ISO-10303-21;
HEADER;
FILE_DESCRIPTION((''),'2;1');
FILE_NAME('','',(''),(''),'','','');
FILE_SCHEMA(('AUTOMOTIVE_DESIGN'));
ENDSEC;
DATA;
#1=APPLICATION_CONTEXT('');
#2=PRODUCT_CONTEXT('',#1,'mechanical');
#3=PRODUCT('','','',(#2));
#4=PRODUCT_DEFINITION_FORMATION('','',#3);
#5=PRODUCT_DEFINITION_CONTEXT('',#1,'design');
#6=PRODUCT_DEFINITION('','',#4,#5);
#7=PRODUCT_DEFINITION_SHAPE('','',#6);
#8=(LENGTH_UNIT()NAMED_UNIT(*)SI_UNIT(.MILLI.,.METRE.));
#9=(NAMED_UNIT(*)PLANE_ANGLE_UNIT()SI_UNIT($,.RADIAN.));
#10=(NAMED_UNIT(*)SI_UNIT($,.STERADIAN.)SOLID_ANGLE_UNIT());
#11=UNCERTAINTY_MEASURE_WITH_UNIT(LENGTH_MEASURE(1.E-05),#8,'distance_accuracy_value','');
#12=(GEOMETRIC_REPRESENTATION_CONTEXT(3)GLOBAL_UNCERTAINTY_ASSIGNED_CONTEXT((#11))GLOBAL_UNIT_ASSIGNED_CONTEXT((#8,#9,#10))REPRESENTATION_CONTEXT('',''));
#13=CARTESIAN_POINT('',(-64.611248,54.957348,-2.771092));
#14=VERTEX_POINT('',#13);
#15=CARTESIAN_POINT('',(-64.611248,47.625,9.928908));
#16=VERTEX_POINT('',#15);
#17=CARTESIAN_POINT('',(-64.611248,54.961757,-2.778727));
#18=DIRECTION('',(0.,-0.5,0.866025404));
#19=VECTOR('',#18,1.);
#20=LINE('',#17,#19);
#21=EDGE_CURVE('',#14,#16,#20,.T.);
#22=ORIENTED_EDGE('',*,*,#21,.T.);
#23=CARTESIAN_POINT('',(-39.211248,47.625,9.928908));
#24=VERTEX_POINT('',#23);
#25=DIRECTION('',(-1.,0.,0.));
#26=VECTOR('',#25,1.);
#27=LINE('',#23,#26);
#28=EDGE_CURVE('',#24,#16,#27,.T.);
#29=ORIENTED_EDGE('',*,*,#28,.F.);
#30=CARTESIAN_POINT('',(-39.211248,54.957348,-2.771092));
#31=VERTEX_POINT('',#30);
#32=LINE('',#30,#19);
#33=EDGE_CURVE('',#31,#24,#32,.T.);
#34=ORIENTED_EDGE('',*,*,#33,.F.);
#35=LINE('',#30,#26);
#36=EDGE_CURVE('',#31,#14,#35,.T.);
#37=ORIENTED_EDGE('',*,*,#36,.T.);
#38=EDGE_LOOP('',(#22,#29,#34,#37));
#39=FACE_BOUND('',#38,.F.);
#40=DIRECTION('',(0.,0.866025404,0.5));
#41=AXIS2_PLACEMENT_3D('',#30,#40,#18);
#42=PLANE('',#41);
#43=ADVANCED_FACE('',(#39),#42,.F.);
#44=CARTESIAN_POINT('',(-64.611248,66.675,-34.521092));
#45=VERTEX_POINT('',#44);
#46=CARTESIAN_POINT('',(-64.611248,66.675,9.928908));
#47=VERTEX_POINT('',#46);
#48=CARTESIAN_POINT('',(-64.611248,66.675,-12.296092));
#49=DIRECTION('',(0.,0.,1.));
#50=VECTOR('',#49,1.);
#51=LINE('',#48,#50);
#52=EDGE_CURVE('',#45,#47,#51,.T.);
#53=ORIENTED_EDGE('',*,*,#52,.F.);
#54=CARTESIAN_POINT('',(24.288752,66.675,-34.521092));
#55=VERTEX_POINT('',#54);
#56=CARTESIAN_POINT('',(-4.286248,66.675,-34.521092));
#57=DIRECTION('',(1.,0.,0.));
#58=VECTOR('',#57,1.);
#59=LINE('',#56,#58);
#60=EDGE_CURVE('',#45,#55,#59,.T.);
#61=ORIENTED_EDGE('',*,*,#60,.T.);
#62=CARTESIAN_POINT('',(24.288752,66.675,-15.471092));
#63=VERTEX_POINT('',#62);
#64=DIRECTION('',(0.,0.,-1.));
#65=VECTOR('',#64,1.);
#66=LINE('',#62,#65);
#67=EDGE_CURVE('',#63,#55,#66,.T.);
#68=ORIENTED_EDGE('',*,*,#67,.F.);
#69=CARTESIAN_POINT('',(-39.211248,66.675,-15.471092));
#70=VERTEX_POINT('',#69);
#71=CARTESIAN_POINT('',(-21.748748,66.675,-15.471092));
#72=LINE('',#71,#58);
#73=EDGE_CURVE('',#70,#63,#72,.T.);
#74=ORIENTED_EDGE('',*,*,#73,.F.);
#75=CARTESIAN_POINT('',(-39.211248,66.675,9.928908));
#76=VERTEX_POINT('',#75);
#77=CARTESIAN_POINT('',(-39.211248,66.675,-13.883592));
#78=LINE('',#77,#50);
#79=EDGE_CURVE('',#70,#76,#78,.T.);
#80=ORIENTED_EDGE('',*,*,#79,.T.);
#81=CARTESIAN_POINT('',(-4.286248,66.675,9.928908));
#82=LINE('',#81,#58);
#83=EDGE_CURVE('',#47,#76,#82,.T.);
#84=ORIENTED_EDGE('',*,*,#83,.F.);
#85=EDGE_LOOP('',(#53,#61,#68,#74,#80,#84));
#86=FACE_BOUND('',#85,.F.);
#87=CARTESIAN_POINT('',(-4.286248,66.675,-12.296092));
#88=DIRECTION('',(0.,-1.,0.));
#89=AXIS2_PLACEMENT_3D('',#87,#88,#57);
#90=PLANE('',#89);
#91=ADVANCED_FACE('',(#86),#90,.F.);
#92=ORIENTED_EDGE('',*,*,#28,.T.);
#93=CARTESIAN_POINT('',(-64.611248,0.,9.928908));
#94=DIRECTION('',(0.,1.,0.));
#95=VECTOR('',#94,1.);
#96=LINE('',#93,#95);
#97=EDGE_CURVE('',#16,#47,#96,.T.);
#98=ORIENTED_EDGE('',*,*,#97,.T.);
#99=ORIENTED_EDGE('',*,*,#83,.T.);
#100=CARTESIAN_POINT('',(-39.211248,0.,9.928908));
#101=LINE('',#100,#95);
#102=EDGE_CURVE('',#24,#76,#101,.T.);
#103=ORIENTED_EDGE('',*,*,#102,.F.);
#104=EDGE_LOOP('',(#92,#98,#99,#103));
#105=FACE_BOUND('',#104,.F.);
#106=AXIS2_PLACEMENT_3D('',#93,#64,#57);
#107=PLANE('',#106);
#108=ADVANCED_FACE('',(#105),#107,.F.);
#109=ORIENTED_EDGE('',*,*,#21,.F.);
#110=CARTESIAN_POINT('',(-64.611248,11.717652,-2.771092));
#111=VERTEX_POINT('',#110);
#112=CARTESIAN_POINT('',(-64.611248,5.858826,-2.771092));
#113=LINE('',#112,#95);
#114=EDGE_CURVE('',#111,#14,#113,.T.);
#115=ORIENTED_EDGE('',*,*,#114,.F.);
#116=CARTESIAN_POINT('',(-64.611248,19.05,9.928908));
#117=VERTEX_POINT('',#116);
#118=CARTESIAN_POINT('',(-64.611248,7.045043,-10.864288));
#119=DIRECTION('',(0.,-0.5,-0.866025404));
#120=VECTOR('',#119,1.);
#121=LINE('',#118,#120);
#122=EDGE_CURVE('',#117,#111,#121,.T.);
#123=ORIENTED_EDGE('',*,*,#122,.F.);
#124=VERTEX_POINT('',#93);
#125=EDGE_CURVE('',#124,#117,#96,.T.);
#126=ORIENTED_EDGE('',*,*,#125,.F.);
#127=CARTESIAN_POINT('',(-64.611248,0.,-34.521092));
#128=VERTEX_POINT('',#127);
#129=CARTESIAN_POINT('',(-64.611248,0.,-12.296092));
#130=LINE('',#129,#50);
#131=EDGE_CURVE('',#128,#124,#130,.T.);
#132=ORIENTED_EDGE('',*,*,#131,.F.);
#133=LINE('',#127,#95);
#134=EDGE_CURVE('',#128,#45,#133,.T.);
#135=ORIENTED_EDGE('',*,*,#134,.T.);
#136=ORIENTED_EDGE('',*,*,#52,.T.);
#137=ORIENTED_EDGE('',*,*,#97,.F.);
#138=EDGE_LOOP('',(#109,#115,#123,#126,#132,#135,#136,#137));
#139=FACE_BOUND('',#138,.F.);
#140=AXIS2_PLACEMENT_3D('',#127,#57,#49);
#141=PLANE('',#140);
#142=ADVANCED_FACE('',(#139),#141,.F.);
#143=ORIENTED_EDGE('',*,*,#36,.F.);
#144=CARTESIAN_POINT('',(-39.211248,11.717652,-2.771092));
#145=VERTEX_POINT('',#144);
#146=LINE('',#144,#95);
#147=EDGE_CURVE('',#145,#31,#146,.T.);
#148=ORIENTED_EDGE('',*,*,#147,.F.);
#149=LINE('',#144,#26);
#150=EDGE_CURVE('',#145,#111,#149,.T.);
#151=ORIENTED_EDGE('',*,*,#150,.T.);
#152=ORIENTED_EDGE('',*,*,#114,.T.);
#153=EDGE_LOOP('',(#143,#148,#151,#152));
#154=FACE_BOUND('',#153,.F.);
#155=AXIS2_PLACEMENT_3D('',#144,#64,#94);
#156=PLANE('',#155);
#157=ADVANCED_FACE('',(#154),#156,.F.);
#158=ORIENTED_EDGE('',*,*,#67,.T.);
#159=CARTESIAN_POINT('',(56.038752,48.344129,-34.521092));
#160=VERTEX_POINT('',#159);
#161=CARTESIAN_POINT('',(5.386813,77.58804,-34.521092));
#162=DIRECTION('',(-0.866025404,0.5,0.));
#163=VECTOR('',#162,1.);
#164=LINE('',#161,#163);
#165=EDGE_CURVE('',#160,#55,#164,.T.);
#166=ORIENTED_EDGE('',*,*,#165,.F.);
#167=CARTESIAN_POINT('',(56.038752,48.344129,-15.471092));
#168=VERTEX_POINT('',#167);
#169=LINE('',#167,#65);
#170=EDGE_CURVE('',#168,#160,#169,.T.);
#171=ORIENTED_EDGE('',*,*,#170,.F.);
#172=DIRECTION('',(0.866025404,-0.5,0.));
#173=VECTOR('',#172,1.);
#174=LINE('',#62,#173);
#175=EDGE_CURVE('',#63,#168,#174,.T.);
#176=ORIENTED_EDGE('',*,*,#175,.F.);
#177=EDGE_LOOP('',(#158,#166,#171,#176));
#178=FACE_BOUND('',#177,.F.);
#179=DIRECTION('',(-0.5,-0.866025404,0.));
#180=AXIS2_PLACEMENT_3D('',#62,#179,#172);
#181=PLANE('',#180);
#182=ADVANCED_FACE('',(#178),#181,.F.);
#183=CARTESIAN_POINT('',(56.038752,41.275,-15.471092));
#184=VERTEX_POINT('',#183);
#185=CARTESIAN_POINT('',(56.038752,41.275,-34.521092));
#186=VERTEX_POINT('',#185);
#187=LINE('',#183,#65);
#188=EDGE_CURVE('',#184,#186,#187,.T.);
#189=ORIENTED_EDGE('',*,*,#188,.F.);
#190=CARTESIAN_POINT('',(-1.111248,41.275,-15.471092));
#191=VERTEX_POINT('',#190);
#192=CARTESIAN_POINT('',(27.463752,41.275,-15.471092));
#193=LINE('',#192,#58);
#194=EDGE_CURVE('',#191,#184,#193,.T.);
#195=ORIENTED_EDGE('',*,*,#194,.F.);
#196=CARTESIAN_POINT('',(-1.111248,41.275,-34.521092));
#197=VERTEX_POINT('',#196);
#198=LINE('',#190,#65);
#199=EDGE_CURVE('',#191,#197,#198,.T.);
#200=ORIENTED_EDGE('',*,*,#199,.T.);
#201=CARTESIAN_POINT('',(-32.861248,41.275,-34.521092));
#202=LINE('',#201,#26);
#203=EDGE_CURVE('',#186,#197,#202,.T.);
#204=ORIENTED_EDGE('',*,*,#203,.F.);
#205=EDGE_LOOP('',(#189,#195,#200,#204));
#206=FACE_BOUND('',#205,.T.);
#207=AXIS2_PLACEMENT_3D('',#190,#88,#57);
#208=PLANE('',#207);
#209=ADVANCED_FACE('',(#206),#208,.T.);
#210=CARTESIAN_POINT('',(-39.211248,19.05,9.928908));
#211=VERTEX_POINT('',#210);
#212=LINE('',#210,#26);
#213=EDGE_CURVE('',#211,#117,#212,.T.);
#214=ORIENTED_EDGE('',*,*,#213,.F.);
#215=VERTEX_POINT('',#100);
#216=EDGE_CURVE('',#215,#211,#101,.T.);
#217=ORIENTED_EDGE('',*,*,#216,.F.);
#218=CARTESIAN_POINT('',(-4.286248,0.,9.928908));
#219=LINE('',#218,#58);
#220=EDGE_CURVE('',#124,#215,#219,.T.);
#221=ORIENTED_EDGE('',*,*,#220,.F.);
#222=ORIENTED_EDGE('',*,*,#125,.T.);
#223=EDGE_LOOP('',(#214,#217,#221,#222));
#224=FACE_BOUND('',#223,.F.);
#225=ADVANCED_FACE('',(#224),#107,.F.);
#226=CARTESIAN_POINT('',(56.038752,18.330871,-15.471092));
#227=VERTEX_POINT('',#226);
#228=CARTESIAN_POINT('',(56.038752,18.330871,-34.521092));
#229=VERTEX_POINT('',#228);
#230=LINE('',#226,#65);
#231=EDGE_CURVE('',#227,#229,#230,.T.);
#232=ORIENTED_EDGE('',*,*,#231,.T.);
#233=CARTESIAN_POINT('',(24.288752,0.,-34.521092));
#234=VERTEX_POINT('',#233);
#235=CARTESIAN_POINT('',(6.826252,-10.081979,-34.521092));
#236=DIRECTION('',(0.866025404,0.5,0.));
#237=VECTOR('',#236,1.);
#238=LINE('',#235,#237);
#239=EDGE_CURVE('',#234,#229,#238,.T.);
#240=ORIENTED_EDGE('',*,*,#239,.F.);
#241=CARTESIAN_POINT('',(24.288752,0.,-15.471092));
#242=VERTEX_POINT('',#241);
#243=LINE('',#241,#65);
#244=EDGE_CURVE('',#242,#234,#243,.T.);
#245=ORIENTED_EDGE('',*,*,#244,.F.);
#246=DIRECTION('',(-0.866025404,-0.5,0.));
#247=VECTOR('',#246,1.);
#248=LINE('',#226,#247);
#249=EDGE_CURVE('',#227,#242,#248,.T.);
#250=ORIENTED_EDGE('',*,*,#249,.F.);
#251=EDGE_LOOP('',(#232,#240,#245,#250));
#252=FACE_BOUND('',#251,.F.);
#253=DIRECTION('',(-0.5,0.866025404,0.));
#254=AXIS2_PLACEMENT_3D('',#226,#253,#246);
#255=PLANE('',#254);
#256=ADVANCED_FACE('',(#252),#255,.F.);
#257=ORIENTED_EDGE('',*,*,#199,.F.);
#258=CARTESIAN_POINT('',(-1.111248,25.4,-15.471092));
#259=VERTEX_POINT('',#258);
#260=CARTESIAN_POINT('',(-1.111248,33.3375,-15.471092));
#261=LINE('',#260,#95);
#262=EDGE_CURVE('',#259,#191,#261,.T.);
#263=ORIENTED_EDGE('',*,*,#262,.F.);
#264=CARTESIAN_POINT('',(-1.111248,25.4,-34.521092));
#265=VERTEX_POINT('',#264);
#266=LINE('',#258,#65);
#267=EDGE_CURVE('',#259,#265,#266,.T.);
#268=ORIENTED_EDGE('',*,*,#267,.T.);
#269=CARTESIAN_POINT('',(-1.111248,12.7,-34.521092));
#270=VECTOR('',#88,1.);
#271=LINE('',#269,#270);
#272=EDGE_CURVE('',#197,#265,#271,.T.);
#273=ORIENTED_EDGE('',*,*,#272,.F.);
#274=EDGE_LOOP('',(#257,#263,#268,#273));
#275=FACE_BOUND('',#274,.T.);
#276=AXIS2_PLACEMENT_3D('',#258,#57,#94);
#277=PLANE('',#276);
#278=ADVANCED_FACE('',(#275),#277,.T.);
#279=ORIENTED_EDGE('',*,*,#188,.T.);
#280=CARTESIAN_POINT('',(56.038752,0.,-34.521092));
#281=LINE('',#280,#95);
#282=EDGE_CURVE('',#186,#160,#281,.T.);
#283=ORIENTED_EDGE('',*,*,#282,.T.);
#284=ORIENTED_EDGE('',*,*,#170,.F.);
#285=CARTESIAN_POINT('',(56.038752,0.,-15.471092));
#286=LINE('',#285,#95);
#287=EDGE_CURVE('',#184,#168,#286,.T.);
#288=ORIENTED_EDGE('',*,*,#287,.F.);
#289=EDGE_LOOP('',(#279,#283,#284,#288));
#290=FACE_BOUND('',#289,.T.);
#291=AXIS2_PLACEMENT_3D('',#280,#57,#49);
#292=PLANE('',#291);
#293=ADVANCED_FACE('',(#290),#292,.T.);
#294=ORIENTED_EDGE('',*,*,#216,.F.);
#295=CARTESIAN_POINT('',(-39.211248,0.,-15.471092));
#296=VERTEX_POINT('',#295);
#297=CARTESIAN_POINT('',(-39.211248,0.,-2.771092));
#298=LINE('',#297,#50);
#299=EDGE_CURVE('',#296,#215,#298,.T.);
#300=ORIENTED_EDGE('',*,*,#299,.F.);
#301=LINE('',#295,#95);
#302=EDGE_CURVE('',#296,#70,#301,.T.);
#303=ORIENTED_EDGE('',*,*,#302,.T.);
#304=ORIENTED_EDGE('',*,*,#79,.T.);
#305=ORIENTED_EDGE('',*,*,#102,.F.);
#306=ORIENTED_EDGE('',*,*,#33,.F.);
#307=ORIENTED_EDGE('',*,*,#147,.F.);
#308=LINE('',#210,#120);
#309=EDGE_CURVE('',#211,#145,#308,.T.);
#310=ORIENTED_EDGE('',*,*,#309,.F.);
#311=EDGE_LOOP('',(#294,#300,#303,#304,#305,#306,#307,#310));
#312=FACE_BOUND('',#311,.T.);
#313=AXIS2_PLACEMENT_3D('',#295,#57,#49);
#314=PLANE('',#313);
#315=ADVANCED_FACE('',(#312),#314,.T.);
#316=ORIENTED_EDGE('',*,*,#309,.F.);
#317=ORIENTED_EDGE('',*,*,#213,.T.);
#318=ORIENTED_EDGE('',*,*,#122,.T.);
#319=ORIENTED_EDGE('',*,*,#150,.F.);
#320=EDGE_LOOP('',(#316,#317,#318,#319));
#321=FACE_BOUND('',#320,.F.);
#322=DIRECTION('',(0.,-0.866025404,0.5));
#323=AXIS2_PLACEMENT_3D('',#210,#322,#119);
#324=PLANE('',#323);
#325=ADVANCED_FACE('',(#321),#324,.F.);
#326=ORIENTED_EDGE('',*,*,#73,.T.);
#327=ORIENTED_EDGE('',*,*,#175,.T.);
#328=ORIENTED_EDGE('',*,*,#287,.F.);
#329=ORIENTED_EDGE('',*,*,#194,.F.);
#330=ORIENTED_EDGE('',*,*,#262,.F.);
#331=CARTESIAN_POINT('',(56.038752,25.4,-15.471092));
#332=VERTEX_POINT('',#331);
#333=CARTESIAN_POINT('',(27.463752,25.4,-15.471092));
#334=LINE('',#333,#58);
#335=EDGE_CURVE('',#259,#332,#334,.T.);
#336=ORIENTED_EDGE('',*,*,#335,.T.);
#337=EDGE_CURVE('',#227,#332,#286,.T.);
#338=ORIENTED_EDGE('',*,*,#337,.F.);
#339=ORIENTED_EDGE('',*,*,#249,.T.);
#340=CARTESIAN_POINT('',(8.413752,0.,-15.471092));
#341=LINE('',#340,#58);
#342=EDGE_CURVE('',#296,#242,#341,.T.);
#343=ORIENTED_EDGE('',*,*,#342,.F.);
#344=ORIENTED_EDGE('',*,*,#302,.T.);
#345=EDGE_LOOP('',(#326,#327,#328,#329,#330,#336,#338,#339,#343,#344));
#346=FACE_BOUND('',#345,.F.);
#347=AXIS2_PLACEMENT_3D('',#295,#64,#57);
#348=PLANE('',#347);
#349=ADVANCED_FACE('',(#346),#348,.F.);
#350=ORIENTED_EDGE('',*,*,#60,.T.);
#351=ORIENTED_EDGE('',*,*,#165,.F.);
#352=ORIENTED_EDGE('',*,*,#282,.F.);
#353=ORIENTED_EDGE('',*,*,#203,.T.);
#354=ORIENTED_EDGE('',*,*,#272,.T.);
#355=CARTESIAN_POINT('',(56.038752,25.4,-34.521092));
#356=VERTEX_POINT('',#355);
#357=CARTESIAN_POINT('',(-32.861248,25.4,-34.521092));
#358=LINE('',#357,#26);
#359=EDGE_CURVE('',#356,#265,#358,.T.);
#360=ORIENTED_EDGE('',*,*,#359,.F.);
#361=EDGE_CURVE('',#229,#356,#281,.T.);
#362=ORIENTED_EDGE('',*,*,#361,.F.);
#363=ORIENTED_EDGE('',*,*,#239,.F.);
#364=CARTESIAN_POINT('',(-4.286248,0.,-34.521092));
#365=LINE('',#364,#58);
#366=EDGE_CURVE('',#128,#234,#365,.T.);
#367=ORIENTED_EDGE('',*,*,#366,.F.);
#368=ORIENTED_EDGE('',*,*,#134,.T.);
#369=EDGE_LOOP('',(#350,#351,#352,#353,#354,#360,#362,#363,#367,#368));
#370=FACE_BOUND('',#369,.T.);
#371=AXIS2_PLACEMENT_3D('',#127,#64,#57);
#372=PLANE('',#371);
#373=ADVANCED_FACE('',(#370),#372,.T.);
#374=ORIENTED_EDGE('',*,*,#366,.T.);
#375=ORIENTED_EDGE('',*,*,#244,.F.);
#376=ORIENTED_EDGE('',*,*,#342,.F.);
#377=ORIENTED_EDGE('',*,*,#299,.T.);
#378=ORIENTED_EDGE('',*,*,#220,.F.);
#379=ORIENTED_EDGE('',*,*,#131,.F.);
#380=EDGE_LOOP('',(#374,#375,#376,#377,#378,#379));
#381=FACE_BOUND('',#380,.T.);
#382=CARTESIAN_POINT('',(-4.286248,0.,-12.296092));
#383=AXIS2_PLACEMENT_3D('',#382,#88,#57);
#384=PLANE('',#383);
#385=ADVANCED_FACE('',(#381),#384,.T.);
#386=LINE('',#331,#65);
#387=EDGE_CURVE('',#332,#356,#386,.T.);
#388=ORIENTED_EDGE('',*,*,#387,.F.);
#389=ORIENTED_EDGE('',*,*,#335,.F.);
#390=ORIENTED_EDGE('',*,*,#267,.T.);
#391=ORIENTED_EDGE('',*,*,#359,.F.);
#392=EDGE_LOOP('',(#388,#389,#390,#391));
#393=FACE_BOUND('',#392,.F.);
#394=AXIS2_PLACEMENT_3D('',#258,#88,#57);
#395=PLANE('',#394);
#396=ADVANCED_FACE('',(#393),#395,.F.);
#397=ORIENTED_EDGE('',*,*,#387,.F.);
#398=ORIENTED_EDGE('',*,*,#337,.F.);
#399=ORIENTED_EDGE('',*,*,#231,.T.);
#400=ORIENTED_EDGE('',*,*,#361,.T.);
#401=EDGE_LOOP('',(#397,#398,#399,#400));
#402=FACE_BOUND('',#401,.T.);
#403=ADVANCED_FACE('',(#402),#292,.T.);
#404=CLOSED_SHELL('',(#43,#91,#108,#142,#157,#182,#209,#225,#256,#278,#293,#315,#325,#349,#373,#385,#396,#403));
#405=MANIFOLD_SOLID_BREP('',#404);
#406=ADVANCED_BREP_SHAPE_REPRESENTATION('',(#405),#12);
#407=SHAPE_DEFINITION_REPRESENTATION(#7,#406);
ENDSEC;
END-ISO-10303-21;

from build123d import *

# Parameters (mm, degrees)
F0_W     = 120.65
F0_H     = 44.45
F1_DEPTH = 66.675
F2_W     = 95.25
F2_H     = 25.4
F3_DEPTH = 66.676
F4_W     = 57.15
F4_H     = 15.875
F5_DEPTH = 19.051
F7_DEPTH = 19.051
F9_DEPTH = 25.401


with BuildPart() as f1:
    # F0 (on Front) → F1 (new body)
    with BuildSketch(Plane.XZ):
        with Locations((-4.2862482369, -12.2960915925)):
            Rectangle(F0_W, F0_H)
    extrude(amount=-F1_DEPTH)

    # F2 (on face) → F3 (cut, through all)
    with BuildSketch(Plane.XZ):
        with Locations((8.4137517631, -2.7710915925)):
            Rectangle(F2_W, F2_H)
    extrude(amount=-F3_DEPTH, mode=Mode.SUBTRACT)

    # F4 (on face) → F5 (cut, through all)
    with BuildSketch(Plane.XY.offset(-15.4710915925)):
        with Locations((27.4637517631, 33.3375)):
            Rectangle(F4_W, F4_H)
    extrude(amount=-F5_DEPTH, mode=Mode.SUBTRACT)

    # F6 (on face) → F7 (cut, through all)
    with BuildSketch(Plane.XY.offset(-15.4710915925)):
        Polygon((56.0387517631, 66.675), (24.2887517631, 66.675), (56.0387517631, 48.3441289532), align=None)
        Polygon((56.0387517631, 0), (56.0387517631, 18.3308710468), (24.2887517631, 0), align=None)
    extrude(amount=-F7_DEPTH, mode=Mode.SUBTRACT)

    # F8 (on face) → F9 (cut, through all)
    with BuildSketch(Plane.YZ.offset(-39.2112482369)):
        Polygon((19.05, 9.9289084075), (11.7176515813, -2.7710915925), (54.9573484187, -2.7710915925), (47.625, 9.9289084075), align=None)
    extrude(amount=-F9_DEPTH, mode=Mode.SUBTRACT)


solid = f1.part
